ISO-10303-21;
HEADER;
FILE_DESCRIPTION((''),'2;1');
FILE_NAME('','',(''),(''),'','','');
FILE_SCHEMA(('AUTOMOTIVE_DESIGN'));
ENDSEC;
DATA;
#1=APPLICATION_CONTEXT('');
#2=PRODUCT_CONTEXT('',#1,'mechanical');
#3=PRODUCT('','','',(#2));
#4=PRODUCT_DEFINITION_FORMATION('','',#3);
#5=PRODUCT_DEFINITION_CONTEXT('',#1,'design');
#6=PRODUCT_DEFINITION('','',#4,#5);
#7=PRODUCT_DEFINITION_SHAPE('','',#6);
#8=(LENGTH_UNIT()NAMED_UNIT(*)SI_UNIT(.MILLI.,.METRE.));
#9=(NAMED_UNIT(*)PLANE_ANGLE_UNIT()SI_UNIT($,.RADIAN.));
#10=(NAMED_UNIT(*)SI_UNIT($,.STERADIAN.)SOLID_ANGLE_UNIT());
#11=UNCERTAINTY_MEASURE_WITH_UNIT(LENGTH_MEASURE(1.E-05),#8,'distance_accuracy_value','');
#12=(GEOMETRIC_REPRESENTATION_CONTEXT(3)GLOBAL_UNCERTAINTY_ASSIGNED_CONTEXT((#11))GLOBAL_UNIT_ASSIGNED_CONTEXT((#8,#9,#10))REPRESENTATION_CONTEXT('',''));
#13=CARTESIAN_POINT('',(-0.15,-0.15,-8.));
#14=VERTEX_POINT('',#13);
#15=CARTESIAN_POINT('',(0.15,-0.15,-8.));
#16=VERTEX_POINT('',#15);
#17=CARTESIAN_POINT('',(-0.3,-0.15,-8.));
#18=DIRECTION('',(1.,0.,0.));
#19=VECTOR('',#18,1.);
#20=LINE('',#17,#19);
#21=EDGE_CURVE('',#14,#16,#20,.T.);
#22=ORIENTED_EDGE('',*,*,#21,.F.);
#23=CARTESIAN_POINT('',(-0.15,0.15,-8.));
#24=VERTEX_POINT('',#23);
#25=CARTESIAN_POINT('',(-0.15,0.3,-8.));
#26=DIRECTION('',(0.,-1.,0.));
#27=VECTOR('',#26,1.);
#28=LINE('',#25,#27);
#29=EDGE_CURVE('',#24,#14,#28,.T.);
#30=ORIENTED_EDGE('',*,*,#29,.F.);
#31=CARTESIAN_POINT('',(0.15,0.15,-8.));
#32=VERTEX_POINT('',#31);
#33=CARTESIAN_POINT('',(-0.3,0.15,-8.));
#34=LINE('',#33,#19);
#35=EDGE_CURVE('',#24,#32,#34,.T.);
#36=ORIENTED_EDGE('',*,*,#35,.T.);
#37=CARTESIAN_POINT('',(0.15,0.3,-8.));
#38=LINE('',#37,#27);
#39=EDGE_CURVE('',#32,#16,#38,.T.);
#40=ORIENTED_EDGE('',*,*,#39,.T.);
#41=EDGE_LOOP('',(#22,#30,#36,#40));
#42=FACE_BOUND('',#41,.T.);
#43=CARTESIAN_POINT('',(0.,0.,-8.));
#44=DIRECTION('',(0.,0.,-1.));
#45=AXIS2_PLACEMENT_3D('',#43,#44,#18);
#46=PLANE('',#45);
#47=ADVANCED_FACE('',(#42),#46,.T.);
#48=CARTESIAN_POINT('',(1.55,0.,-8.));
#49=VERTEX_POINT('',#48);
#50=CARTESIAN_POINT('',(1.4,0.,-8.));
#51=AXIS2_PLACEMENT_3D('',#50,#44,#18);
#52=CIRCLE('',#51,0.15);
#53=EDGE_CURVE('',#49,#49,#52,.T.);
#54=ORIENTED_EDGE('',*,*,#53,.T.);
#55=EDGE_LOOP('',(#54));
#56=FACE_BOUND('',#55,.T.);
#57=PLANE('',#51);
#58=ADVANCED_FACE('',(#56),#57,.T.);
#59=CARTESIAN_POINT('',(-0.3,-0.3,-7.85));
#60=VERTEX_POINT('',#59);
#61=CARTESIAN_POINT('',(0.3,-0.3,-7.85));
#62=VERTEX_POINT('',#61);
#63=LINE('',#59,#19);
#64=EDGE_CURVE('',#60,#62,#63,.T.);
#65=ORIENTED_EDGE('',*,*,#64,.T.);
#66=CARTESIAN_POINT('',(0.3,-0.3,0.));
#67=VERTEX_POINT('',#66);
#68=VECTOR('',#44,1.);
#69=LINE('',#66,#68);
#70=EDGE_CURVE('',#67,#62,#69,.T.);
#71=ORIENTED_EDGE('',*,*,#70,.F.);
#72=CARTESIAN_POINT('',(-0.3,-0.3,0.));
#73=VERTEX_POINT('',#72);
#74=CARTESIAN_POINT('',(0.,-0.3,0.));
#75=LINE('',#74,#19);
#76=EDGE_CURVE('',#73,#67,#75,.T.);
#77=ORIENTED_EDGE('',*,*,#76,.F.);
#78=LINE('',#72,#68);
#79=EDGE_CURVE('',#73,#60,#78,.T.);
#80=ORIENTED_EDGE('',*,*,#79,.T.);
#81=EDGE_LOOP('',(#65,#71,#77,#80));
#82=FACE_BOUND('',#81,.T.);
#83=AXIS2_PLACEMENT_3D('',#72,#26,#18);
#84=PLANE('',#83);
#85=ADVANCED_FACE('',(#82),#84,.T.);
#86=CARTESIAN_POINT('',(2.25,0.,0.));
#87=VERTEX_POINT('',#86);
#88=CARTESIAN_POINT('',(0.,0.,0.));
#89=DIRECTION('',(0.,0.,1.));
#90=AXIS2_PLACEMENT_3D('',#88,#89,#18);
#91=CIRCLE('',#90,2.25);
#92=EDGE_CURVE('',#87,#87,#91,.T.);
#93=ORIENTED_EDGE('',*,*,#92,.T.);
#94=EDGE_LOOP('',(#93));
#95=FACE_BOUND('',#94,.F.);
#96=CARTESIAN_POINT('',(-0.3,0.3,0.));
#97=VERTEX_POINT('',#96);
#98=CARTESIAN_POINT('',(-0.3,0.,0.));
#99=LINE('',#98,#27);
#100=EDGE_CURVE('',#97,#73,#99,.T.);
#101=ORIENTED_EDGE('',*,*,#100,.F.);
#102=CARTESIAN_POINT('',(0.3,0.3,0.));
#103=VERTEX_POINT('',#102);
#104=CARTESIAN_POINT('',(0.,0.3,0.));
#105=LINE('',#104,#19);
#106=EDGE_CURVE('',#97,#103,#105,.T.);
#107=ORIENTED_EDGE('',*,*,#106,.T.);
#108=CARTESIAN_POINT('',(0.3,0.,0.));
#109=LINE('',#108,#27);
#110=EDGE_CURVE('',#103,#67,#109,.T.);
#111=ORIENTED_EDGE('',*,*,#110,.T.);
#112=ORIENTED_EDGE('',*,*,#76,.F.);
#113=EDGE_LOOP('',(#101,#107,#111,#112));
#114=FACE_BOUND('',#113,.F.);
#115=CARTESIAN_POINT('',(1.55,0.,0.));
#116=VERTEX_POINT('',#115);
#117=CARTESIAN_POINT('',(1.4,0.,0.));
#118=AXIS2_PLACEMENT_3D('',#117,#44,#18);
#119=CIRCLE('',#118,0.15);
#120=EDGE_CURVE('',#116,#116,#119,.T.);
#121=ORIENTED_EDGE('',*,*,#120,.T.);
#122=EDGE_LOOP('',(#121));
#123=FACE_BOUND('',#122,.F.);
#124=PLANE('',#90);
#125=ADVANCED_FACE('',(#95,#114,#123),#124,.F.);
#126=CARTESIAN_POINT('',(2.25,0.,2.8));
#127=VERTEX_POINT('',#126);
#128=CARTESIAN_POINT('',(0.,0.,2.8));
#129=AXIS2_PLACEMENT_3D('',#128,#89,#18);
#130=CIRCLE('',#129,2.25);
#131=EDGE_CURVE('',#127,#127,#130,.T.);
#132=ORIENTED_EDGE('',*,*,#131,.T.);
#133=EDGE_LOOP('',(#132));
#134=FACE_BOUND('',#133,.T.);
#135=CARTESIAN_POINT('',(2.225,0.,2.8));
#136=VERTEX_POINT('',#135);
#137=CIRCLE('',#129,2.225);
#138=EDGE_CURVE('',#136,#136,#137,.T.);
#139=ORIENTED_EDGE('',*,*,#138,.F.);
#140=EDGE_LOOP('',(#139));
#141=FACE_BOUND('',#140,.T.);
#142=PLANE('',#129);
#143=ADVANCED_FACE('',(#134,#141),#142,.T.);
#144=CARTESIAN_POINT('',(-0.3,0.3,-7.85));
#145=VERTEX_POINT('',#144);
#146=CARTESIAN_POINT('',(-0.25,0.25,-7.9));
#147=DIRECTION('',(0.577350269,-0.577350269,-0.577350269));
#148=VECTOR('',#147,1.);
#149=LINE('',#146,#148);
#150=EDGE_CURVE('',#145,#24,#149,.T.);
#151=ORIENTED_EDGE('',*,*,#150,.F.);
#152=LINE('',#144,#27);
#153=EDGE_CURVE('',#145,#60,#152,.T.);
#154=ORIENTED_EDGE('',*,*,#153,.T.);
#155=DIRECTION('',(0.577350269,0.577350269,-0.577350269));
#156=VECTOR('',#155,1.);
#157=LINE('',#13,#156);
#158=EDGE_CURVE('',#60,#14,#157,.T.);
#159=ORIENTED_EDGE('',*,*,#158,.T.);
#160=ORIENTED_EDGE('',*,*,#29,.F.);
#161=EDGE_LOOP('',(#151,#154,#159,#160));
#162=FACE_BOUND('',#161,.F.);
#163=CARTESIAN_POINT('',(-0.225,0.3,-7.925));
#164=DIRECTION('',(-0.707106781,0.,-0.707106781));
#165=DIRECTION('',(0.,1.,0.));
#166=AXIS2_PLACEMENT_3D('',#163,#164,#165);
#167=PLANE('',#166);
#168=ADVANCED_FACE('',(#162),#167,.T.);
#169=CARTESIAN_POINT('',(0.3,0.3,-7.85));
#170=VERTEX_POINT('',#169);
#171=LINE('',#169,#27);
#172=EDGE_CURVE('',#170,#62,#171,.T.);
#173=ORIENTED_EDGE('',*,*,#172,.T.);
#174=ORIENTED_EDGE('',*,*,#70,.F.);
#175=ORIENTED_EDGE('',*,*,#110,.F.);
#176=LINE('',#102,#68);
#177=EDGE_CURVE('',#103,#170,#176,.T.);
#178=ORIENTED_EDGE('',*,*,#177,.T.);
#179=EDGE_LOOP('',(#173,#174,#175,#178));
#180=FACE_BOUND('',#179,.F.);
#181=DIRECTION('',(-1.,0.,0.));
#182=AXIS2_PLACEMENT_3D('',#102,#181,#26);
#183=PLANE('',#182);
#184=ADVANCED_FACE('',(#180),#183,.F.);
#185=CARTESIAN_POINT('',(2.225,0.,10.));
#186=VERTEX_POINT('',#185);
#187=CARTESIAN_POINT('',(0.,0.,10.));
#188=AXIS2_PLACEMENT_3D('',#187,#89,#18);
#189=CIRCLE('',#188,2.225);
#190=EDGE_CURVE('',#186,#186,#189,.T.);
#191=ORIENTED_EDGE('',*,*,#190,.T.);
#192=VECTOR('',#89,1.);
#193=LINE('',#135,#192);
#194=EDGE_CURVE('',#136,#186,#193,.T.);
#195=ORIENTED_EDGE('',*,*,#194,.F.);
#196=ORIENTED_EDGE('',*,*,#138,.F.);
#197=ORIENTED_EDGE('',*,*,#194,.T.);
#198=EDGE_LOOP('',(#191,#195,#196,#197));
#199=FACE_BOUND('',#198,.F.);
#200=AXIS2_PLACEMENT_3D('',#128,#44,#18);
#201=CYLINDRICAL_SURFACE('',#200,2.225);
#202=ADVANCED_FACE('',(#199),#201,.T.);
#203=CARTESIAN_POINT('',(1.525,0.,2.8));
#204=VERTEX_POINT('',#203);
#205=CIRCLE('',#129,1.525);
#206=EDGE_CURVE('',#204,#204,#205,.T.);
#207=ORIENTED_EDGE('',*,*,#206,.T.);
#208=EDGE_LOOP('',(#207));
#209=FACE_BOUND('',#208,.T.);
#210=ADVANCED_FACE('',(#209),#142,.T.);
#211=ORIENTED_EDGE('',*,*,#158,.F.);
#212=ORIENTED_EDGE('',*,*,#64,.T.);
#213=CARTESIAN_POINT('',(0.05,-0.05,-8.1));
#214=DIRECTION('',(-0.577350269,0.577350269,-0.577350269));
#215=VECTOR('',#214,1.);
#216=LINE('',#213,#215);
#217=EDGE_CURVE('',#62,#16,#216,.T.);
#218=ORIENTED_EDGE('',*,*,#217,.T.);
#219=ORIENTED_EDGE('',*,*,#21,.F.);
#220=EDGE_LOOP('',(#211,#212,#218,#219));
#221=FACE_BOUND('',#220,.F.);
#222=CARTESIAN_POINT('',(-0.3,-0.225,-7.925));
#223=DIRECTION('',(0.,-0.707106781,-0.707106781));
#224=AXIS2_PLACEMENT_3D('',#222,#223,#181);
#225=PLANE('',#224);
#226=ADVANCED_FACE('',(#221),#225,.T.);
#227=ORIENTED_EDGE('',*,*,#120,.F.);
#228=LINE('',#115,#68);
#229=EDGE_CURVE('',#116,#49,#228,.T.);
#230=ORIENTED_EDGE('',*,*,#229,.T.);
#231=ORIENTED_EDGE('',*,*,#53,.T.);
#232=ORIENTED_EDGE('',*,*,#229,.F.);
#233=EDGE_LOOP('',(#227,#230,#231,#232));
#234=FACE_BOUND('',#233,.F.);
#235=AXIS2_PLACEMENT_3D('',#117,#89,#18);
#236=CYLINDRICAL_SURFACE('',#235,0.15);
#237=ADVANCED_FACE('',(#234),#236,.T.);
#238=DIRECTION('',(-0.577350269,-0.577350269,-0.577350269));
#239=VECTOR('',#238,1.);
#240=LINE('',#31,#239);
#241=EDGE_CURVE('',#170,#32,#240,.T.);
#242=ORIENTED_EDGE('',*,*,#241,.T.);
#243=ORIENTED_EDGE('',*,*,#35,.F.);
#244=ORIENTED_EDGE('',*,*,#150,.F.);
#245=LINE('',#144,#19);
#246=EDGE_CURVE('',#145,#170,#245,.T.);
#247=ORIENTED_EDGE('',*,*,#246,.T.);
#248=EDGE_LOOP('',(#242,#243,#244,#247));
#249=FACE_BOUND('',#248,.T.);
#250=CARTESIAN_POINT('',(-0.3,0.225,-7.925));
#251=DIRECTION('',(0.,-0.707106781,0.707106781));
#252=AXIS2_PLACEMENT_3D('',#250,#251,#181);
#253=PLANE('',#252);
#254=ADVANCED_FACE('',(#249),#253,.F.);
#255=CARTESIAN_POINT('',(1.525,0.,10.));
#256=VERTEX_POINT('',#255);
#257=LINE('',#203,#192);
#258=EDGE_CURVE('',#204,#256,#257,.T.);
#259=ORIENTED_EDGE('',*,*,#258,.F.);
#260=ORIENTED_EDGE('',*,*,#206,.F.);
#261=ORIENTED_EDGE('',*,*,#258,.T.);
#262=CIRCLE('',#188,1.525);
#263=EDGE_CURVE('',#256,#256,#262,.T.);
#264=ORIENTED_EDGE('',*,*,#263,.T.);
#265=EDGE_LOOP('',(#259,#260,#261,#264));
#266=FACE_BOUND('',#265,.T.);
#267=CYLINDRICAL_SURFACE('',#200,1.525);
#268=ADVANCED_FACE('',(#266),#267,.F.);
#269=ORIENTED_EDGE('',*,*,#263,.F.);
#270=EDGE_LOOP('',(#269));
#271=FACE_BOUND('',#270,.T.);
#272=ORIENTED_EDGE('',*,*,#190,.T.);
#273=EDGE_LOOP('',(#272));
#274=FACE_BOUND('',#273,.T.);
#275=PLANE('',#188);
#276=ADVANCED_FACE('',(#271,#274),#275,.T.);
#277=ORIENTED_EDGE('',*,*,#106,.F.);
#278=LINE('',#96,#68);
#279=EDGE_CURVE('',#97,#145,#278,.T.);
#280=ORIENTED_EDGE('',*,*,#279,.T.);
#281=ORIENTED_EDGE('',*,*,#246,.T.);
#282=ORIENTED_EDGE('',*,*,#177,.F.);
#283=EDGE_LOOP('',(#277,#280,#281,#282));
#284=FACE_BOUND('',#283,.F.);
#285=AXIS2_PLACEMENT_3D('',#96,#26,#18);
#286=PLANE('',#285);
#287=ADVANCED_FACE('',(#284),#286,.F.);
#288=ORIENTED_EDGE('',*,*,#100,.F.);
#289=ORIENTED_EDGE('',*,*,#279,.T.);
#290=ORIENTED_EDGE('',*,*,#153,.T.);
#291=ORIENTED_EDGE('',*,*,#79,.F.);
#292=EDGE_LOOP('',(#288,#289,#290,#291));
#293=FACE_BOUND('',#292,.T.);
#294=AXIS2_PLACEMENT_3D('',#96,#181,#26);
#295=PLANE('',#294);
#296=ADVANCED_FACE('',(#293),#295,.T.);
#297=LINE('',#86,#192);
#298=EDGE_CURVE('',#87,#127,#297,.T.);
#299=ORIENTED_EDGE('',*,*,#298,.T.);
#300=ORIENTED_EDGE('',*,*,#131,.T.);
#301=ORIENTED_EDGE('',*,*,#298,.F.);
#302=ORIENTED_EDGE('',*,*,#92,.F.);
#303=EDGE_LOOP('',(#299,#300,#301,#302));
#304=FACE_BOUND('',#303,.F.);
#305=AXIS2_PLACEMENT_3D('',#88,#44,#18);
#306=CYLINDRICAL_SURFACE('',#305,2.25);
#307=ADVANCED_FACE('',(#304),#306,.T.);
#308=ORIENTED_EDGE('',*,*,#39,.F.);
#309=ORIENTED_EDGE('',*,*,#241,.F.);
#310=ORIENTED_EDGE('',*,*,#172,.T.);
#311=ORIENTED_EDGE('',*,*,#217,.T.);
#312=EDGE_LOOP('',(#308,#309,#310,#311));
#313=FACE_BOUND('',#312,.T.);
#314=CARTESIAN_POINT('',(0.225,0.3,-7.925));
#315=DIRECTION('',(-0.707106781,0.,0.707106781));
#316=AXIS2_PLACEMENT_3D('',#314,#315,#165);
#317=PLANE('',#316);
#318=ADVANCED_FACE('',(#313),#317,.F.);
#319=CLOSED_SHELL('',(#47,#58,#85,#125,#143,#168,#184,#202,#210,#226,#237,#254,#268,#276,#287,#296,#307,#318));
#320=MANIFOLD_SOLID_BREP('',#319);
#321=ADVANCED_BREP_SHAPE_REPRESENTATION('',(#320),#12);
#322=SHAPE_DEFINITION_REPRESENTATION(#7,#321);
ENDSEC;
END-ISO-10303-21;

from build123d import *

# Parameters (mm, degrees)
SKETCH_R      = 2.25
PAD_DEPTH     = 2.8
SKETCH002_W   = 0.6
SKETCH002_H   = 0.6
PAD002_DEPTH  = 8
CHAMFER_SIZE  = 0.15
SKETCH003_R   = 0.15
PAD003_DEPTH  = 8
SKETCH004_R   = 2.225
SKETCH004_R_2 = 1.525
PAD004_DEPTH  = 7.2


with BuildPart() as part:
    # Sketch → Pad (new body)
    with BuildSketch(Plane.XY):
        Circle(SKETCH_R)
    extrude(amount=PAD_DEPTH)

    # Sketch002 → Pad002 (join)
    with BuildSketch(Plane(origin=(0, 0, 0), x_dir=(1, 0, 0), z_dir=(0, 0, -1))):
        Rectangle(SKETCH002_W, SKETCH002_H)
    extrude(amount=PAD002_DEPTH)

    # Chamfer
    chamfer_edges = [part.edges().sort_by_distance(p)[0] for p in [
        (0, -0.3, -8),
        (0.3, 0, -8),
        (0, 0.3, -8),
        (-0.3, 0, -8),
    ]]
    chamfer(chamfer_edges, length=CHAMFER_SIZE)

    # Sketch003 (on Face4 of Chamfer) → Pad003 (join)
    with BuildSketch(Plane(origin=(0, 0, 0), x_dir=(1, 0, 0), z_dir=(0, 0, -1))):
        with Locations((1.4, 0)):
            Circle(SKETCH003_R)
    extrude(amount=PAD003_DEPTH)

    # Sketch004 (on Face13 of Pad003) → Pad004 (join)
    with BuildSketch(Plane.XY.offset(2.8)):
        Circle(SKETCH004_R)
        Circle(SKETCH004_R_2, mode=Mode.SUBTRACT)
    extrude(amount=PAD004_DEPTH)


solid = part.part
